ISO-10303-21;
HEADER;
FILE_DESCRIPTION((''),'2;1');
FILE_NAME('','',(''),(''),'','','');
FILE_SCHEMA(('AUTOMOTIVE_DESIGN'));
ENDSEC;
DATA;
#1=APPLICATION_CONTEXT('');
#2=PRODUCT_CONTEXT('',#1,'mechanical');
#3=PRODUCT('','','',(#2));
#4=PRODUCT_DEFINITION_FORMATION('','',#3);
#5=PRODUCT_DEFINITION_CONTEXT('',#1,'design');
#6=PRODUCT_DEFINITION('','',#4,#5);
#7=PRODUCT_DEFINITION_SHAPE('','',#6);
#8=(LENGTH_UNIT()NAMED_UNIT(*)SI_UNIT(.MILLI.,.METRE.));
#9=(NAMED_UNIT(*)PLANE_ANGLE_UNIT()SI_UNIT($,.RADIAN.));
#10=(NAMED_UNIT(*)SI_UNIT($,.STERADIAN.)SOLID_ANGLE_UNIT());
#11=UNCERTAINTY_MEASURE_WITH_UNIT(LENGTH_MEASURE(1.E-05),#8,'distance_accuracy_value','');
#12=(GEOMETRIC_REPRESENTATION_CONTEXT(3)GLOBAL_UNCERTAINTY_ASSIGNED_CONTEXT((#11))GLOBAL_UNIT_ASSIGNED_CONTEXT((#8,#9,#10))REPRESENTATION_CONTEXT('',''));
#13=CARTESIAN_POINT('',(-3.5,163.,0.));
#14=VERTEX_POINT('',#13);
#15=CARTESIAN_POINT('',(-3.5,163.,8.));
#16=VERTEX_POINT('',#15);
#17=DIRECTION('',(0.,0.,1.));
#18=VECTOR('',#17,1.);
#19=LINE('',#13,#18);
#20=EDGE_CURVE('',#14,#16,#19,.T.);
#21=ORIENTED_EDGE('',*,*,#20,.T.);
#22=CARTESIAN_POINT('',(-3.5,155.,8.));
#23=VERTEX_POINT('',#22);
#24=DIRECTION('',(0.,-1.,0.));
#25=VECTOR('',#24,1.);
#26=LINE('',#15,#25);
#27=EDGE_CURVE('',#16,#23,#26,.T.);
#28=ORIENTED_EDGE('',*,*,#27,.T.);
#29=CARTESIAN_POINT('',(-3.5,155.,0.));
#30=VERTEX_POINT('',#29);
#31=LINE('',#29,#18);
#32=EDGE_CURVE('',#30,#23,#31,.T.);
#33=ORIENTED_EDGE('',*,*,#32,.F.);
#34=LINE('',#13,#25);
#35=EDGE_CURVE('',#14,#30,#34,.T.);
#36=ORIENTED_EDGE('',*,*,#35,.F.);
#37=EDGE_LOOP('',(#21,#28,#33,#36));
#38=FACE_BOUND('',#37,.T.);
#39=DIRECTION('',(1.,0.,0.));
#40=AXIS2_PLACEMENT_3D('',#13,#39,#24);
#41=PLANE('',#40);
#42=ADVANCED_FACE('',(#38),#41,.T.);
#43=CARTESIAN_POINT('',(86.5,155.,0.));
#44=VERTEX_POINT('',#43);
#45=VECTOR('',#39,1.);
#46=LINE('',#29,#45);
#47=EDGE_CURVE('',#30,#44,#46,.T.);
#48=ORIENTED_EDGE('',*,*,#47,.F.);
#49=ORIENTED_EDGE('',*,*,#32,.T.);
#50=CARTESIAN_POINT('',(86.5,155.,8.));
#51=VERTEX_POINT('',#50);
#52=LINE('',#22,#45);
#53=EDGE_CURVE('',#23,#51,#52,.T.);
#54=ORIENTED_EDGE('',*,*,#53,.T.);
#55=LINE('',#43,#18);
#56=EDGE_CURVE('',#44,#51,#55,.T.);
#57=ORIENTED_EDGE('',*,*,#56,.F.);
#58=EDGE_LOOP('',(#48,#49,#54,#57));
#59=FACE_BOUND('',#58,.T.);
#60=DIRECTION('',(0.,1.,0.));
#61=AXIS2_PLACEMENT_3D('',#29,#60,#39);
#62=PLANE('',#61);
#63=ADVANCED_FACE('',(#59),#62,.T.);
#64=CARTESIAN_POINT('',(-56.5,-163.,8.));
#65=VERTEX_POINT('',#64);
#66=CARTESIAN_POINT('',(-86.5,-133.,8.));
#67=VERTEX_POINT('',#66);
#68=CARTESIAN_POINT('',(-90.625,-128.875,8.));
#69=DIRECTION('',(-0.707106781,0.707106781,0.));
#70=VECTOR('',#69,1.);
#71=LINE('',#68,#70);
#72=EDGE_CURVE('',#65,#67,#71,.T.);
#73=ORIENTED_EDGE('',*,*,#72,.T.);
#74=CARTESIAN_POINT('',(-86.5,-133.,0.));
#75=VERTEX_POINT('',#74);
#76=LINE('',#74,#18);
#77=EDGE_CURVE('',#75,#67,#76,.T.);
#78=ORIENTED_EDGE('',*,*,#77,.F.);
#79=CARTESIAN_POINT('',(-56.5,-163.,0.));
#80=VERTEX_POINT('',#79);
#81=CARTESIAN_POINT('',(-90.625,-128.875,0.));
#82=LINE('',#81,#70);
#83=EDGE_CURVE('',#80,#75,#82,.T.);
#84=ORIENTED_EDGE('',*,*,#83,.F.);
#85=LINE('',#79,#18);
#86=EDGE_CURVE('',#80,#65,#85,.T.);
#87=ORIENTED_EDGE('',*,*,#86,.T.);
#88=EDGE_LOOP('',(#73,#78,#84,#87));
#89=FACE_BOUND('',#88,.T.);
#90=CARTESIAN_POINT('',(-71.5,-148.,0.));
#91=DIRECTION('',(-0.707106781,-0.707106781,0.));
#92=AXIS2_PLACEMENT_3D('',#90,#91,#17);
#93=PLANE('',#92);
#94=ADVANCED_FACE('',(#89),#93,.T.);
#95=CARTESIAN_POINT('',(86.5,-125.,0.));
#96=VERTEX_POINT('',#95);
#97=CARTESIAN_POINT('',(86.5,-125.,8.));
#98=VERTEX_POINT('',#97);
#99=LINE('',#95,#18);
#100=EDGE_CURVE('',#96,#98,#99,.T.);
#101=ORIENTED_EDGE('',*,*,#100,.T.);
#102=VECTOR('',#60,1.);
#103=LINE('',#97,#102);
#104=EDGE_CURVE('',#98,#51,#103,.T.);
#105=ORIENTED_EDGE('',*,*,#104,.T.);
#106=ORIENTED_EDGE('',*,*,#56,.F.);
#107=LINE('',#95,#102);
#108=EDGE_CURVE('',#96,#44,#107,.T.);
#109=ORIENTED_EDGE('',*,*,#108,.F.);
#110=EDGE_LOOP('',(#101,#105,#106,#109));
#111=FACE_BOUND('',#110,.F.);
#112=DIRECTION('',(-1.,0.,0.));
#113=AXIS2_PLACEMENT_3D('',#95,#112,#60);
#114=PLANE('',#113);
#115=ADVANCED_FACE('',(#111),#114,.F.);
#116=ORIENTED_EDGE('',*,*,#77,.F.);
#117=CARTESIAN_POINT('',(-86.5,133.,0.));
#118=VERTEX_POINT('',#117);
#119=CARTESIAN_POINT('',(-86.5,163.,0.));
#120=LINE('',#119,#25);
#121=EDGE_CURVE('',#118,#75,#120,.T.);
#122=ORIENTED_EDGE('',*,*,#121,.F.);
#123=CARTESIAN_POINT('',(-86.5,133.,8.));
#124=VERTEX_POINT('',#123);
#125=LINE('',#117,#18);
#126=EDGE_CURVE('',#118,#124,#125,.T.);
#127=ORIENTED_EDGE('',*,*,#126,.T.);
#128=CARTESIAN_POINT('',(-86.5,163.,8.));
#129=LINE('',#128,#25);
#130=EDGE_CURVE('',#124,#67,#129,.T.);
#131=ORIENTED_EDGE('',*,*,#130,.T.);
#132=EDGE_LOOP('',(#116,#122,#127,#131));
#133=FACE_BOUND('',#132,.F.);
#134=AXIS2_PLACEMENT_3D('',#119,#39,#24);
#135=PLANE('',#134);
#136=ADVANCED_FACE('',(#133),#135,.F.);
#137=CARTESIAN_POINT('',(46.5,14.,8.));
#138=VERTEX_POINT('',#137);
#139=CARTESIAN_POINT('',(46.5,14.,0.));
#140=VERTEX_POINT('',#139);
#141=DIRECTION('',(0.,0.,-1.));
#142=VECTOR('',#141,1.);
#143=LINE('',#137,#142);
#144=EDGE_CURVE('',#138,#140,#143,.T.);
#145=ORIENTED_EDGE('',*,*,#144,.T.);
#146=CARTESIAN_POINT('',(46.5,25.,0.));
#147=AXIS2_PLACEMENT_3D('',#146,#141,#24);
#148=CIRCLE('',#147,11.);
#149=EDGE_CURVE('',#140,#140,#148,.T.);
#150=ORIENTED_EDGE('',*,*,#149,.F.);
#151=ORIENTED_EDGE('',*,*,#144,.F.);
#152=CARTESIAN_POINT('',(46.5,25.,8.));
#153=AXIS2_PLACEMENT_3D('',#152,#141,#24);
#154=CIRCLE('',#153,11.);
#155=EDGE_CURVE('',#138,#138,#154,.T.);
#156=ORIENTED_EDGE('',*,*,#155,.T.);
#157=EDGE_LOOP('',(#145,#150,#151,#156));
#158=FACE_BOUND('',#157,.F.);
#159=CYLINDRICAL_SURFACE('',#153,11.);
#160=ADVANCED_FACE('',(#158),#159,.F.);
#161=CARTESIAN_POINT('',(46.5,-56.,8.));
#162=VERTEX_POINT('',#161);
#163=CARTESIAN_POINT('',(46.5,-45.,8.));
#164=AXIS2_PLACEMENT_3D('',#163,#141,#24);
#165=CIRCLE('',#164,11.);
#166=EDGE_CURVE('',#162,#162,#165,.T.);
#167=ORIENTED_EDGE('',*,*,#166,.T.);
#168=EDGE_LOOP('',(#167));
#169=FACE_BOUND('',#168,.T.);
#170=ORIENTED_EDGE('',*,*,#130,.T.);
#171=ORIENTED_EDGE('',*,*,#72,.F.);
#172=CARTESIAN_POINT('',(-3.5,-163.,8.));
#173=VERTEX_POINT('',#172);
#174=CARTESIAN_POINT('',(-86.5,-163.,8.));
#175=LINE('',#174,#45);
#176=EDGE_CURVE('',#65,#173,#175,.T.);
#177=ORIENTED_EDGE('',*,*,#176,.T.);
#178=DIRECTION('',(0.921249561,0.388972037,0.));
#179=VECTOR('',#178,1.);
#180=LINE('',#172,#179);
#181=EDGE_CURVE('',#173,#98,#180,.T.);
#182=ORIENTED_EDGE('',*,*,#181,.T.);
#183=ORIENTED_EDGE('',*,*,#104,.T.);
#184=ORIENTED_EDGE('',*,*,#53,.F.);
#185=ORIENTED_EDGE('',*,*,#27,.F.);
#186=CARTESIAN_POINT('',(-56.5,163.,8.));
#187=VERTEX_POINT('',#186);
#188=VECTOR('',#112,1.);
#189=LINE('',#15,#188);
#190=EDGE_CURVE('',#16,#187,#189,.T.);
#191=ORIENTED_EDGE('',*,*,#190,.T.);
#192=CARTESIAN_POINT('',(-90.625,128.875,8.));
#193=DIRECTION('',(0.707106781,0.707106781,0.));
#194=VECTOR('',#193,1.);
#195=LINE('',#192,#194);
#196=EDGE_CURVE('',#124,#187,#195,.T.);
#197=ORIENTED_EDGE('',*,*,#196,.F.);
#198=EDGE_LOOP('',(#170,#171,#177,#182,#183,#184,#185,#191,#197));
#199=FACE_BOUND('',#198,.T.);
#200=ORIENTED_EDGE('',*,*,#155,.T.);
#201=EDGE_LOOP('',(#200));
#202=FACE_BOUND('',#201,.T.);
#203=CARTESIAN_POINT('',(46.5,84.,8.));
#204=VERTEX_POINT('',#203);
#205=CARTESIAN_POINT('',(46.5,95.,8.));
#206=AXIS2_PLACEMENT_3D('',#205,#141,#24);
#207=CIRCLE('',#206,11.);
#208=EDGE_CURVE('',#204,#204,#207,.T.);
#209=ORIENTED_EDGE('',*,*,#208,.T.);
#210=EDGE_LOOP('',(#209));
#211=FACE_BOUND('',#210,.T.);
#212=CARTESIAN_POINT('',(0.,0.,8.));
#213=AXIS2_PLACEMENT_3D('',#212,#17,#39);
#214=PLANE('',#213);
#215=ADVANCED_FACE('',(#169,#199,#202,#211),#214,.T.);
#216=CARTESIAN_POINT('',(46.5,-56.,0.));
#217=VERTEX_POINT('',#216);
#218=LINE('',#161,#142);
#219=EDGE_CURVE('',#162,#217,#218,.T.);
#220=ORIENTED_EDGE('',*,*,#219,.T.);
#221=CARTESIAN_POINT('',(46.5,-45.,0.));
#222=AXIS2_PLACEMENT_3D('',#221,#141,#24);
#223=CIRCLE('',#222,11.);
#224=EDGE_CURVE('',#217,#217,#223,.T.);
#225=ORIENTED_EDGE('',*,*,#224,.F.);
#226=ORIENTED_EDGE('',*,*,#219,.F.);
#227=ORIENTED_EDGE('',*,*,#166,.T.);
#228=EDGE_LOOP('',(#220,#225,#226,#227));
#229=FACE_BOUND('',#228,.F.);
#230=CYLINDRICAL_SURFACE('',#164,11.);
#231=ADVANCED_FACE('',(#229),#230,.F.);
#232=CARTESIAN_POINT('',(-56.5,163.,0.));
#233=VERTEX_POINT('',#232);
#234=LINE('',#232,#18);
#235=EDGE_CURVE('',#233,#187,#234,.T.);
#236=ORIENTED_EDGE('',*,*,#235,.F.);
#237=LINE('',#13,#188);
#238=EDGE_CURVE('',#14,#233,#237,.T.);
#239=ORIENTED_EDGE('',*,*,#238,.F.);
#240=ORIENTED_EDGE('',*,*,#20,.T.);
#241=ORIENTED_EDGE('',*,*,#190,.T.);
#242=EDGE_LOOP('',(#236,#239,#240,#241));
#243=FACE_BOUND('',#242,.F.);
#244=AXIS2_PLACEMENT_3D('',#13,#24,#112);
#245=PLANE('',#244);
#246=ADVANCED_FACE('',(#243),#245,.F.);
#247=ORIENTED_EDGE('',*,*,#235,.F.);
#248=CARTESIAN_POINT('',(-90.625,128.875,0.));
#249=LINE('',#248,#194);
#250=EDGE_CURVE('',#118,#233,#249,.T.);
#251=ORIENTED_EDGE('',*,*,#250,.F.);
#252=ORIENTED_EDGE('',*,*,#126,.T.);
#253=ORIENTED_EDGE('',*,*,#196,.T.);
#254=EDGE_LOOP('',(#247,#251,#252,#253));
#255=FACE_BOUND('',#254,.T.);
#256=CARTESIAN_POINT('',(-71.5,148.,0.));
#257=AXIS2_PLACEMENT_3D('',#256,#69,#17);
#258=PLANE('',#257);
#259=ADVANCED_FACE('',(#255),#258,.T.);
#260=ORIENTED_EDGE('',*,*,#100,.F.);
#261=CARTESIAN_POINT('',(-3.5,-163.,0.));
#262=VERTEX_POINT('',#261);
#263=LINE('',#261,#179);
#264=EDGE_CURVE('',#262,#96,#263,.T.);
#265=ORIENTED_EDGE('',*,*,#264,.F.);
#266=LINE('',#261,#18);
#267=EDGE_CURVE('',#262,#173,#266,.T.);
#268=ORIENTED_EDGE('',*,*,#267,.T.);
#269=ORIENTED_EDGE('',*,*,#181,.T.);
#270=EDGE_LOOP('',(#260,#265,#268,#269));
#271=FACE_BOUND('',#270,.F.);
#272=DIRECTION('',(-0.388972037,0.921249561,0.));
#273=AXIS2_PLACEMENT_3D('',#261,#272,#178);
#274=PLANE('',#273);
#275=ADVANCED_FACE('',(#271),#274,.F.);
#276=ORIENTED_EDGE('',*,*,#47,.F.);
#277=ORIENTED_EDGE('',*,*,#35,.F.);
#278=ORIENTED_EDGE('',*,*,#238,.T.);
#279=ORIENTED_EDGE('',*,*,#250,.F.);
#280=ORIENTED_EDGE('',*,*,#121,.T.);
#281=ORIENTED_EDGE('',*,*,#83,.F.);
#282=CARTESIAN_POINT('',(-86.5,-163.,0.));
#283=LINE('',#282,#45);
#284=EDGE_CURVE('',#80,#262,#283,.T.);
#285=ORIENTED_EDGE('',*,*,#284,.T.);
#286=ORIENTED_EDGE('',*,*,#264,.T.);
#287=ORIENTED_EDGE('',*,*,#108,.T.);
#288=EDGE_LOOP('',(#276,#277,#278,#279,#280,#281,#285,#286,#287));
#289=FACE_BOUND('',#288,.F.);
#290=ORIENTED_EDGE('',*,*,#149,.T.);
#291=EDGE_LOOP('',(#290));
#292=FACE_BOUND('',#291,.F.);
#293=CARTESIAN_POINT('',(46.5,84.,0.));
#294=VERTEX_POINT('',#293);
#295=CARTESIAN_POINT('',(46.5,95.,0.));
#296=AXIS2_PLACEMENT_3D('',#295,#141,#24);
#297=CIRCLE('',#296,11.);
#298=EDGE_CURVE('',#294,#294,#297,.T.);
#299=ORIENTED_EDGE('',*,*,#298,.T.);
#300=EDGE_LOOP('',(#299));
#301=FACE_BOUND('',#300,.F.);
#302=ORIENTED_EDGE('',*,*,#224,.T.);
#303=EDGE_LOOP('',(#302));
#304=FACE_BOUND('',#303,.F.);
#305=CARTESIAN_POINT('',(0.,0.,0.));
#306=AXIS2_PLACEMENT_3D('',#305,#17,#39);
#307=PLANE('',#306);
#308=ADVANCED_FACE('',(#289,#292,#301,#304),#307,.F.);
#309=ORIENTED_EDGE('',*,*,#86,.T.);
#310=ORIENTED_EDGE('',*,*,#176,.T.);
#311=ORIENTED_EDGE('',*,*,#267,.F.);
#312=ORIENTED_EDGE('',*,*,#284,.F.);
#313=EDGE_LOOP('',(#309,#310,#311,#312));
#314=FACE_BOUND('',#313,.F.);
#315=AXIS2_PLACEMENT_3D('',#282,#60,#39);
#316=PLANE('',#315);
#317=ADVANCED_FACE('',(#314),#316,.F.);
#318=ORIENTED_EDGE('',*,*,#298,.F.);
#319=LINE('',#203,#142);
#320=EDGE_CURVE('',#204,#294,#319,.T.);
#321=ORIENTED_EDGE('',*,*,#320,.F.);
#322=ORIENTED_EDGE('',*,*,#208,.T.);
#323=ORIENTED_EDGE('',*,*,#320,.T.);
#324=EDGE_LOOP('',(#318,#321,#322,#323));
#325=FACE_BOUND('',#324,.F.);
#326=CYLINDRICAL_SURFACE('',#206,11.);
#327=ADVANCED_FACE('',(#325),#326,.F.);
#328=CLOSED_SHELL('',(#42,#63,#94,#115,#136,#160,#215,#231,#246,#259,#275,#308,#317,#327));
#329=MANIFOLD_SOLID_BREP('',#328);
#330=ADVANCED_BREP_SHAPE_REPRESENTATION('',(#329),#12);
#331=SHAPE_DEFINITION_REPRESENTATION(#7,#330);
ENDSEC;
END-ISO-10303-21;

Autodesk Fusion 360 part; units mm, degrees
sketch "スケッチ1" plane through (0, 0, 0) normal (0, 0, 1) x (1, 0, 0)
  line L0 (-3.5, 163) -> (-86.5, 163)
  line L1 (-86.5, 163) -> (-86.5, -163)
  line L2 (-86.5, -163) -> (-3.5, -163)
  line L3 (86.5, -125) -> (86.5, 155)
  line L4 (82.2546, 155) -> (-86.5, -163) construction
  line L5 (-86.5, 163) -> (70.0256, -131.9558) construction
  line L6 (-3.5, 163) -> (-3.5, 155)
  line L7 (-3.5, 155) -> (86.5, 155)
  line L8 (-86.5, -163) -> (-3.5, -163) construction
  line L9 (-3.5, -163) -> (86.5, -125)
  dimension "d2" = 326
  dimension "d5" = 83
extrude "押し出し1" add sketch "スケッチ1" along normal blind 8
chamfer "面取り1" distance 30 angle 45 2 edges at (-86.5, -163, 4) (-86.5, 163, 4)
sketch "スケッチ2" plane through (0, 0, 8) normal (0, 0, 1) x (-1, 0, 0)
  line L0 (56.5, -163) -> (86.5, -133)
  line L1 (86.5, -133) -> (86.5, 133)
  line L2 (86.5, 133) -> (56.5, 163)
  line L3 (56.5, 163) -> (3.5, 163)
  line L4 (3.5, 163) -> (-86.5, 125)
  line L5 (-86.5, 125) -> (-86.5, -155)
  line L6 (-86.5, -155) -> (3.5, -155)
  line L7 (3.5, -155) -> (3.5, -163)
  line L8 (3.5, -163) -> (56.5, -163)
  line L9 (-86.5, -155) -> (-46.5, -155) construction
  line L10 (-46.5, -155) -> (-46.5, -95) construction
  line L11 (-46.5, -95) -> (-86.5, -95) construction
  line L12 (-86.5, -95) -> (-86.5, -155) construction
  line L13 (-46.5, -95) -> (-46.5, -25) construction
  line L14 (-46.5, -25) -> (-46.5, 45) construction
  point P0 (-46.5, -95)
  point P1 (-46.5, -25)
  point P2 (-46.5, 45)
  dimension "d10" = 40
  dimension "d11" = 60
  dimension "d12" = 70
  dimension "d13" = 70
hole "穴1" at (46.5, 95, 8) at (46.5, 25, 8) at (46.5, -45, 8) direction (0, 0, -1) diameter 22 end through all
equation "d5 = 30 mm + 53 mm"
